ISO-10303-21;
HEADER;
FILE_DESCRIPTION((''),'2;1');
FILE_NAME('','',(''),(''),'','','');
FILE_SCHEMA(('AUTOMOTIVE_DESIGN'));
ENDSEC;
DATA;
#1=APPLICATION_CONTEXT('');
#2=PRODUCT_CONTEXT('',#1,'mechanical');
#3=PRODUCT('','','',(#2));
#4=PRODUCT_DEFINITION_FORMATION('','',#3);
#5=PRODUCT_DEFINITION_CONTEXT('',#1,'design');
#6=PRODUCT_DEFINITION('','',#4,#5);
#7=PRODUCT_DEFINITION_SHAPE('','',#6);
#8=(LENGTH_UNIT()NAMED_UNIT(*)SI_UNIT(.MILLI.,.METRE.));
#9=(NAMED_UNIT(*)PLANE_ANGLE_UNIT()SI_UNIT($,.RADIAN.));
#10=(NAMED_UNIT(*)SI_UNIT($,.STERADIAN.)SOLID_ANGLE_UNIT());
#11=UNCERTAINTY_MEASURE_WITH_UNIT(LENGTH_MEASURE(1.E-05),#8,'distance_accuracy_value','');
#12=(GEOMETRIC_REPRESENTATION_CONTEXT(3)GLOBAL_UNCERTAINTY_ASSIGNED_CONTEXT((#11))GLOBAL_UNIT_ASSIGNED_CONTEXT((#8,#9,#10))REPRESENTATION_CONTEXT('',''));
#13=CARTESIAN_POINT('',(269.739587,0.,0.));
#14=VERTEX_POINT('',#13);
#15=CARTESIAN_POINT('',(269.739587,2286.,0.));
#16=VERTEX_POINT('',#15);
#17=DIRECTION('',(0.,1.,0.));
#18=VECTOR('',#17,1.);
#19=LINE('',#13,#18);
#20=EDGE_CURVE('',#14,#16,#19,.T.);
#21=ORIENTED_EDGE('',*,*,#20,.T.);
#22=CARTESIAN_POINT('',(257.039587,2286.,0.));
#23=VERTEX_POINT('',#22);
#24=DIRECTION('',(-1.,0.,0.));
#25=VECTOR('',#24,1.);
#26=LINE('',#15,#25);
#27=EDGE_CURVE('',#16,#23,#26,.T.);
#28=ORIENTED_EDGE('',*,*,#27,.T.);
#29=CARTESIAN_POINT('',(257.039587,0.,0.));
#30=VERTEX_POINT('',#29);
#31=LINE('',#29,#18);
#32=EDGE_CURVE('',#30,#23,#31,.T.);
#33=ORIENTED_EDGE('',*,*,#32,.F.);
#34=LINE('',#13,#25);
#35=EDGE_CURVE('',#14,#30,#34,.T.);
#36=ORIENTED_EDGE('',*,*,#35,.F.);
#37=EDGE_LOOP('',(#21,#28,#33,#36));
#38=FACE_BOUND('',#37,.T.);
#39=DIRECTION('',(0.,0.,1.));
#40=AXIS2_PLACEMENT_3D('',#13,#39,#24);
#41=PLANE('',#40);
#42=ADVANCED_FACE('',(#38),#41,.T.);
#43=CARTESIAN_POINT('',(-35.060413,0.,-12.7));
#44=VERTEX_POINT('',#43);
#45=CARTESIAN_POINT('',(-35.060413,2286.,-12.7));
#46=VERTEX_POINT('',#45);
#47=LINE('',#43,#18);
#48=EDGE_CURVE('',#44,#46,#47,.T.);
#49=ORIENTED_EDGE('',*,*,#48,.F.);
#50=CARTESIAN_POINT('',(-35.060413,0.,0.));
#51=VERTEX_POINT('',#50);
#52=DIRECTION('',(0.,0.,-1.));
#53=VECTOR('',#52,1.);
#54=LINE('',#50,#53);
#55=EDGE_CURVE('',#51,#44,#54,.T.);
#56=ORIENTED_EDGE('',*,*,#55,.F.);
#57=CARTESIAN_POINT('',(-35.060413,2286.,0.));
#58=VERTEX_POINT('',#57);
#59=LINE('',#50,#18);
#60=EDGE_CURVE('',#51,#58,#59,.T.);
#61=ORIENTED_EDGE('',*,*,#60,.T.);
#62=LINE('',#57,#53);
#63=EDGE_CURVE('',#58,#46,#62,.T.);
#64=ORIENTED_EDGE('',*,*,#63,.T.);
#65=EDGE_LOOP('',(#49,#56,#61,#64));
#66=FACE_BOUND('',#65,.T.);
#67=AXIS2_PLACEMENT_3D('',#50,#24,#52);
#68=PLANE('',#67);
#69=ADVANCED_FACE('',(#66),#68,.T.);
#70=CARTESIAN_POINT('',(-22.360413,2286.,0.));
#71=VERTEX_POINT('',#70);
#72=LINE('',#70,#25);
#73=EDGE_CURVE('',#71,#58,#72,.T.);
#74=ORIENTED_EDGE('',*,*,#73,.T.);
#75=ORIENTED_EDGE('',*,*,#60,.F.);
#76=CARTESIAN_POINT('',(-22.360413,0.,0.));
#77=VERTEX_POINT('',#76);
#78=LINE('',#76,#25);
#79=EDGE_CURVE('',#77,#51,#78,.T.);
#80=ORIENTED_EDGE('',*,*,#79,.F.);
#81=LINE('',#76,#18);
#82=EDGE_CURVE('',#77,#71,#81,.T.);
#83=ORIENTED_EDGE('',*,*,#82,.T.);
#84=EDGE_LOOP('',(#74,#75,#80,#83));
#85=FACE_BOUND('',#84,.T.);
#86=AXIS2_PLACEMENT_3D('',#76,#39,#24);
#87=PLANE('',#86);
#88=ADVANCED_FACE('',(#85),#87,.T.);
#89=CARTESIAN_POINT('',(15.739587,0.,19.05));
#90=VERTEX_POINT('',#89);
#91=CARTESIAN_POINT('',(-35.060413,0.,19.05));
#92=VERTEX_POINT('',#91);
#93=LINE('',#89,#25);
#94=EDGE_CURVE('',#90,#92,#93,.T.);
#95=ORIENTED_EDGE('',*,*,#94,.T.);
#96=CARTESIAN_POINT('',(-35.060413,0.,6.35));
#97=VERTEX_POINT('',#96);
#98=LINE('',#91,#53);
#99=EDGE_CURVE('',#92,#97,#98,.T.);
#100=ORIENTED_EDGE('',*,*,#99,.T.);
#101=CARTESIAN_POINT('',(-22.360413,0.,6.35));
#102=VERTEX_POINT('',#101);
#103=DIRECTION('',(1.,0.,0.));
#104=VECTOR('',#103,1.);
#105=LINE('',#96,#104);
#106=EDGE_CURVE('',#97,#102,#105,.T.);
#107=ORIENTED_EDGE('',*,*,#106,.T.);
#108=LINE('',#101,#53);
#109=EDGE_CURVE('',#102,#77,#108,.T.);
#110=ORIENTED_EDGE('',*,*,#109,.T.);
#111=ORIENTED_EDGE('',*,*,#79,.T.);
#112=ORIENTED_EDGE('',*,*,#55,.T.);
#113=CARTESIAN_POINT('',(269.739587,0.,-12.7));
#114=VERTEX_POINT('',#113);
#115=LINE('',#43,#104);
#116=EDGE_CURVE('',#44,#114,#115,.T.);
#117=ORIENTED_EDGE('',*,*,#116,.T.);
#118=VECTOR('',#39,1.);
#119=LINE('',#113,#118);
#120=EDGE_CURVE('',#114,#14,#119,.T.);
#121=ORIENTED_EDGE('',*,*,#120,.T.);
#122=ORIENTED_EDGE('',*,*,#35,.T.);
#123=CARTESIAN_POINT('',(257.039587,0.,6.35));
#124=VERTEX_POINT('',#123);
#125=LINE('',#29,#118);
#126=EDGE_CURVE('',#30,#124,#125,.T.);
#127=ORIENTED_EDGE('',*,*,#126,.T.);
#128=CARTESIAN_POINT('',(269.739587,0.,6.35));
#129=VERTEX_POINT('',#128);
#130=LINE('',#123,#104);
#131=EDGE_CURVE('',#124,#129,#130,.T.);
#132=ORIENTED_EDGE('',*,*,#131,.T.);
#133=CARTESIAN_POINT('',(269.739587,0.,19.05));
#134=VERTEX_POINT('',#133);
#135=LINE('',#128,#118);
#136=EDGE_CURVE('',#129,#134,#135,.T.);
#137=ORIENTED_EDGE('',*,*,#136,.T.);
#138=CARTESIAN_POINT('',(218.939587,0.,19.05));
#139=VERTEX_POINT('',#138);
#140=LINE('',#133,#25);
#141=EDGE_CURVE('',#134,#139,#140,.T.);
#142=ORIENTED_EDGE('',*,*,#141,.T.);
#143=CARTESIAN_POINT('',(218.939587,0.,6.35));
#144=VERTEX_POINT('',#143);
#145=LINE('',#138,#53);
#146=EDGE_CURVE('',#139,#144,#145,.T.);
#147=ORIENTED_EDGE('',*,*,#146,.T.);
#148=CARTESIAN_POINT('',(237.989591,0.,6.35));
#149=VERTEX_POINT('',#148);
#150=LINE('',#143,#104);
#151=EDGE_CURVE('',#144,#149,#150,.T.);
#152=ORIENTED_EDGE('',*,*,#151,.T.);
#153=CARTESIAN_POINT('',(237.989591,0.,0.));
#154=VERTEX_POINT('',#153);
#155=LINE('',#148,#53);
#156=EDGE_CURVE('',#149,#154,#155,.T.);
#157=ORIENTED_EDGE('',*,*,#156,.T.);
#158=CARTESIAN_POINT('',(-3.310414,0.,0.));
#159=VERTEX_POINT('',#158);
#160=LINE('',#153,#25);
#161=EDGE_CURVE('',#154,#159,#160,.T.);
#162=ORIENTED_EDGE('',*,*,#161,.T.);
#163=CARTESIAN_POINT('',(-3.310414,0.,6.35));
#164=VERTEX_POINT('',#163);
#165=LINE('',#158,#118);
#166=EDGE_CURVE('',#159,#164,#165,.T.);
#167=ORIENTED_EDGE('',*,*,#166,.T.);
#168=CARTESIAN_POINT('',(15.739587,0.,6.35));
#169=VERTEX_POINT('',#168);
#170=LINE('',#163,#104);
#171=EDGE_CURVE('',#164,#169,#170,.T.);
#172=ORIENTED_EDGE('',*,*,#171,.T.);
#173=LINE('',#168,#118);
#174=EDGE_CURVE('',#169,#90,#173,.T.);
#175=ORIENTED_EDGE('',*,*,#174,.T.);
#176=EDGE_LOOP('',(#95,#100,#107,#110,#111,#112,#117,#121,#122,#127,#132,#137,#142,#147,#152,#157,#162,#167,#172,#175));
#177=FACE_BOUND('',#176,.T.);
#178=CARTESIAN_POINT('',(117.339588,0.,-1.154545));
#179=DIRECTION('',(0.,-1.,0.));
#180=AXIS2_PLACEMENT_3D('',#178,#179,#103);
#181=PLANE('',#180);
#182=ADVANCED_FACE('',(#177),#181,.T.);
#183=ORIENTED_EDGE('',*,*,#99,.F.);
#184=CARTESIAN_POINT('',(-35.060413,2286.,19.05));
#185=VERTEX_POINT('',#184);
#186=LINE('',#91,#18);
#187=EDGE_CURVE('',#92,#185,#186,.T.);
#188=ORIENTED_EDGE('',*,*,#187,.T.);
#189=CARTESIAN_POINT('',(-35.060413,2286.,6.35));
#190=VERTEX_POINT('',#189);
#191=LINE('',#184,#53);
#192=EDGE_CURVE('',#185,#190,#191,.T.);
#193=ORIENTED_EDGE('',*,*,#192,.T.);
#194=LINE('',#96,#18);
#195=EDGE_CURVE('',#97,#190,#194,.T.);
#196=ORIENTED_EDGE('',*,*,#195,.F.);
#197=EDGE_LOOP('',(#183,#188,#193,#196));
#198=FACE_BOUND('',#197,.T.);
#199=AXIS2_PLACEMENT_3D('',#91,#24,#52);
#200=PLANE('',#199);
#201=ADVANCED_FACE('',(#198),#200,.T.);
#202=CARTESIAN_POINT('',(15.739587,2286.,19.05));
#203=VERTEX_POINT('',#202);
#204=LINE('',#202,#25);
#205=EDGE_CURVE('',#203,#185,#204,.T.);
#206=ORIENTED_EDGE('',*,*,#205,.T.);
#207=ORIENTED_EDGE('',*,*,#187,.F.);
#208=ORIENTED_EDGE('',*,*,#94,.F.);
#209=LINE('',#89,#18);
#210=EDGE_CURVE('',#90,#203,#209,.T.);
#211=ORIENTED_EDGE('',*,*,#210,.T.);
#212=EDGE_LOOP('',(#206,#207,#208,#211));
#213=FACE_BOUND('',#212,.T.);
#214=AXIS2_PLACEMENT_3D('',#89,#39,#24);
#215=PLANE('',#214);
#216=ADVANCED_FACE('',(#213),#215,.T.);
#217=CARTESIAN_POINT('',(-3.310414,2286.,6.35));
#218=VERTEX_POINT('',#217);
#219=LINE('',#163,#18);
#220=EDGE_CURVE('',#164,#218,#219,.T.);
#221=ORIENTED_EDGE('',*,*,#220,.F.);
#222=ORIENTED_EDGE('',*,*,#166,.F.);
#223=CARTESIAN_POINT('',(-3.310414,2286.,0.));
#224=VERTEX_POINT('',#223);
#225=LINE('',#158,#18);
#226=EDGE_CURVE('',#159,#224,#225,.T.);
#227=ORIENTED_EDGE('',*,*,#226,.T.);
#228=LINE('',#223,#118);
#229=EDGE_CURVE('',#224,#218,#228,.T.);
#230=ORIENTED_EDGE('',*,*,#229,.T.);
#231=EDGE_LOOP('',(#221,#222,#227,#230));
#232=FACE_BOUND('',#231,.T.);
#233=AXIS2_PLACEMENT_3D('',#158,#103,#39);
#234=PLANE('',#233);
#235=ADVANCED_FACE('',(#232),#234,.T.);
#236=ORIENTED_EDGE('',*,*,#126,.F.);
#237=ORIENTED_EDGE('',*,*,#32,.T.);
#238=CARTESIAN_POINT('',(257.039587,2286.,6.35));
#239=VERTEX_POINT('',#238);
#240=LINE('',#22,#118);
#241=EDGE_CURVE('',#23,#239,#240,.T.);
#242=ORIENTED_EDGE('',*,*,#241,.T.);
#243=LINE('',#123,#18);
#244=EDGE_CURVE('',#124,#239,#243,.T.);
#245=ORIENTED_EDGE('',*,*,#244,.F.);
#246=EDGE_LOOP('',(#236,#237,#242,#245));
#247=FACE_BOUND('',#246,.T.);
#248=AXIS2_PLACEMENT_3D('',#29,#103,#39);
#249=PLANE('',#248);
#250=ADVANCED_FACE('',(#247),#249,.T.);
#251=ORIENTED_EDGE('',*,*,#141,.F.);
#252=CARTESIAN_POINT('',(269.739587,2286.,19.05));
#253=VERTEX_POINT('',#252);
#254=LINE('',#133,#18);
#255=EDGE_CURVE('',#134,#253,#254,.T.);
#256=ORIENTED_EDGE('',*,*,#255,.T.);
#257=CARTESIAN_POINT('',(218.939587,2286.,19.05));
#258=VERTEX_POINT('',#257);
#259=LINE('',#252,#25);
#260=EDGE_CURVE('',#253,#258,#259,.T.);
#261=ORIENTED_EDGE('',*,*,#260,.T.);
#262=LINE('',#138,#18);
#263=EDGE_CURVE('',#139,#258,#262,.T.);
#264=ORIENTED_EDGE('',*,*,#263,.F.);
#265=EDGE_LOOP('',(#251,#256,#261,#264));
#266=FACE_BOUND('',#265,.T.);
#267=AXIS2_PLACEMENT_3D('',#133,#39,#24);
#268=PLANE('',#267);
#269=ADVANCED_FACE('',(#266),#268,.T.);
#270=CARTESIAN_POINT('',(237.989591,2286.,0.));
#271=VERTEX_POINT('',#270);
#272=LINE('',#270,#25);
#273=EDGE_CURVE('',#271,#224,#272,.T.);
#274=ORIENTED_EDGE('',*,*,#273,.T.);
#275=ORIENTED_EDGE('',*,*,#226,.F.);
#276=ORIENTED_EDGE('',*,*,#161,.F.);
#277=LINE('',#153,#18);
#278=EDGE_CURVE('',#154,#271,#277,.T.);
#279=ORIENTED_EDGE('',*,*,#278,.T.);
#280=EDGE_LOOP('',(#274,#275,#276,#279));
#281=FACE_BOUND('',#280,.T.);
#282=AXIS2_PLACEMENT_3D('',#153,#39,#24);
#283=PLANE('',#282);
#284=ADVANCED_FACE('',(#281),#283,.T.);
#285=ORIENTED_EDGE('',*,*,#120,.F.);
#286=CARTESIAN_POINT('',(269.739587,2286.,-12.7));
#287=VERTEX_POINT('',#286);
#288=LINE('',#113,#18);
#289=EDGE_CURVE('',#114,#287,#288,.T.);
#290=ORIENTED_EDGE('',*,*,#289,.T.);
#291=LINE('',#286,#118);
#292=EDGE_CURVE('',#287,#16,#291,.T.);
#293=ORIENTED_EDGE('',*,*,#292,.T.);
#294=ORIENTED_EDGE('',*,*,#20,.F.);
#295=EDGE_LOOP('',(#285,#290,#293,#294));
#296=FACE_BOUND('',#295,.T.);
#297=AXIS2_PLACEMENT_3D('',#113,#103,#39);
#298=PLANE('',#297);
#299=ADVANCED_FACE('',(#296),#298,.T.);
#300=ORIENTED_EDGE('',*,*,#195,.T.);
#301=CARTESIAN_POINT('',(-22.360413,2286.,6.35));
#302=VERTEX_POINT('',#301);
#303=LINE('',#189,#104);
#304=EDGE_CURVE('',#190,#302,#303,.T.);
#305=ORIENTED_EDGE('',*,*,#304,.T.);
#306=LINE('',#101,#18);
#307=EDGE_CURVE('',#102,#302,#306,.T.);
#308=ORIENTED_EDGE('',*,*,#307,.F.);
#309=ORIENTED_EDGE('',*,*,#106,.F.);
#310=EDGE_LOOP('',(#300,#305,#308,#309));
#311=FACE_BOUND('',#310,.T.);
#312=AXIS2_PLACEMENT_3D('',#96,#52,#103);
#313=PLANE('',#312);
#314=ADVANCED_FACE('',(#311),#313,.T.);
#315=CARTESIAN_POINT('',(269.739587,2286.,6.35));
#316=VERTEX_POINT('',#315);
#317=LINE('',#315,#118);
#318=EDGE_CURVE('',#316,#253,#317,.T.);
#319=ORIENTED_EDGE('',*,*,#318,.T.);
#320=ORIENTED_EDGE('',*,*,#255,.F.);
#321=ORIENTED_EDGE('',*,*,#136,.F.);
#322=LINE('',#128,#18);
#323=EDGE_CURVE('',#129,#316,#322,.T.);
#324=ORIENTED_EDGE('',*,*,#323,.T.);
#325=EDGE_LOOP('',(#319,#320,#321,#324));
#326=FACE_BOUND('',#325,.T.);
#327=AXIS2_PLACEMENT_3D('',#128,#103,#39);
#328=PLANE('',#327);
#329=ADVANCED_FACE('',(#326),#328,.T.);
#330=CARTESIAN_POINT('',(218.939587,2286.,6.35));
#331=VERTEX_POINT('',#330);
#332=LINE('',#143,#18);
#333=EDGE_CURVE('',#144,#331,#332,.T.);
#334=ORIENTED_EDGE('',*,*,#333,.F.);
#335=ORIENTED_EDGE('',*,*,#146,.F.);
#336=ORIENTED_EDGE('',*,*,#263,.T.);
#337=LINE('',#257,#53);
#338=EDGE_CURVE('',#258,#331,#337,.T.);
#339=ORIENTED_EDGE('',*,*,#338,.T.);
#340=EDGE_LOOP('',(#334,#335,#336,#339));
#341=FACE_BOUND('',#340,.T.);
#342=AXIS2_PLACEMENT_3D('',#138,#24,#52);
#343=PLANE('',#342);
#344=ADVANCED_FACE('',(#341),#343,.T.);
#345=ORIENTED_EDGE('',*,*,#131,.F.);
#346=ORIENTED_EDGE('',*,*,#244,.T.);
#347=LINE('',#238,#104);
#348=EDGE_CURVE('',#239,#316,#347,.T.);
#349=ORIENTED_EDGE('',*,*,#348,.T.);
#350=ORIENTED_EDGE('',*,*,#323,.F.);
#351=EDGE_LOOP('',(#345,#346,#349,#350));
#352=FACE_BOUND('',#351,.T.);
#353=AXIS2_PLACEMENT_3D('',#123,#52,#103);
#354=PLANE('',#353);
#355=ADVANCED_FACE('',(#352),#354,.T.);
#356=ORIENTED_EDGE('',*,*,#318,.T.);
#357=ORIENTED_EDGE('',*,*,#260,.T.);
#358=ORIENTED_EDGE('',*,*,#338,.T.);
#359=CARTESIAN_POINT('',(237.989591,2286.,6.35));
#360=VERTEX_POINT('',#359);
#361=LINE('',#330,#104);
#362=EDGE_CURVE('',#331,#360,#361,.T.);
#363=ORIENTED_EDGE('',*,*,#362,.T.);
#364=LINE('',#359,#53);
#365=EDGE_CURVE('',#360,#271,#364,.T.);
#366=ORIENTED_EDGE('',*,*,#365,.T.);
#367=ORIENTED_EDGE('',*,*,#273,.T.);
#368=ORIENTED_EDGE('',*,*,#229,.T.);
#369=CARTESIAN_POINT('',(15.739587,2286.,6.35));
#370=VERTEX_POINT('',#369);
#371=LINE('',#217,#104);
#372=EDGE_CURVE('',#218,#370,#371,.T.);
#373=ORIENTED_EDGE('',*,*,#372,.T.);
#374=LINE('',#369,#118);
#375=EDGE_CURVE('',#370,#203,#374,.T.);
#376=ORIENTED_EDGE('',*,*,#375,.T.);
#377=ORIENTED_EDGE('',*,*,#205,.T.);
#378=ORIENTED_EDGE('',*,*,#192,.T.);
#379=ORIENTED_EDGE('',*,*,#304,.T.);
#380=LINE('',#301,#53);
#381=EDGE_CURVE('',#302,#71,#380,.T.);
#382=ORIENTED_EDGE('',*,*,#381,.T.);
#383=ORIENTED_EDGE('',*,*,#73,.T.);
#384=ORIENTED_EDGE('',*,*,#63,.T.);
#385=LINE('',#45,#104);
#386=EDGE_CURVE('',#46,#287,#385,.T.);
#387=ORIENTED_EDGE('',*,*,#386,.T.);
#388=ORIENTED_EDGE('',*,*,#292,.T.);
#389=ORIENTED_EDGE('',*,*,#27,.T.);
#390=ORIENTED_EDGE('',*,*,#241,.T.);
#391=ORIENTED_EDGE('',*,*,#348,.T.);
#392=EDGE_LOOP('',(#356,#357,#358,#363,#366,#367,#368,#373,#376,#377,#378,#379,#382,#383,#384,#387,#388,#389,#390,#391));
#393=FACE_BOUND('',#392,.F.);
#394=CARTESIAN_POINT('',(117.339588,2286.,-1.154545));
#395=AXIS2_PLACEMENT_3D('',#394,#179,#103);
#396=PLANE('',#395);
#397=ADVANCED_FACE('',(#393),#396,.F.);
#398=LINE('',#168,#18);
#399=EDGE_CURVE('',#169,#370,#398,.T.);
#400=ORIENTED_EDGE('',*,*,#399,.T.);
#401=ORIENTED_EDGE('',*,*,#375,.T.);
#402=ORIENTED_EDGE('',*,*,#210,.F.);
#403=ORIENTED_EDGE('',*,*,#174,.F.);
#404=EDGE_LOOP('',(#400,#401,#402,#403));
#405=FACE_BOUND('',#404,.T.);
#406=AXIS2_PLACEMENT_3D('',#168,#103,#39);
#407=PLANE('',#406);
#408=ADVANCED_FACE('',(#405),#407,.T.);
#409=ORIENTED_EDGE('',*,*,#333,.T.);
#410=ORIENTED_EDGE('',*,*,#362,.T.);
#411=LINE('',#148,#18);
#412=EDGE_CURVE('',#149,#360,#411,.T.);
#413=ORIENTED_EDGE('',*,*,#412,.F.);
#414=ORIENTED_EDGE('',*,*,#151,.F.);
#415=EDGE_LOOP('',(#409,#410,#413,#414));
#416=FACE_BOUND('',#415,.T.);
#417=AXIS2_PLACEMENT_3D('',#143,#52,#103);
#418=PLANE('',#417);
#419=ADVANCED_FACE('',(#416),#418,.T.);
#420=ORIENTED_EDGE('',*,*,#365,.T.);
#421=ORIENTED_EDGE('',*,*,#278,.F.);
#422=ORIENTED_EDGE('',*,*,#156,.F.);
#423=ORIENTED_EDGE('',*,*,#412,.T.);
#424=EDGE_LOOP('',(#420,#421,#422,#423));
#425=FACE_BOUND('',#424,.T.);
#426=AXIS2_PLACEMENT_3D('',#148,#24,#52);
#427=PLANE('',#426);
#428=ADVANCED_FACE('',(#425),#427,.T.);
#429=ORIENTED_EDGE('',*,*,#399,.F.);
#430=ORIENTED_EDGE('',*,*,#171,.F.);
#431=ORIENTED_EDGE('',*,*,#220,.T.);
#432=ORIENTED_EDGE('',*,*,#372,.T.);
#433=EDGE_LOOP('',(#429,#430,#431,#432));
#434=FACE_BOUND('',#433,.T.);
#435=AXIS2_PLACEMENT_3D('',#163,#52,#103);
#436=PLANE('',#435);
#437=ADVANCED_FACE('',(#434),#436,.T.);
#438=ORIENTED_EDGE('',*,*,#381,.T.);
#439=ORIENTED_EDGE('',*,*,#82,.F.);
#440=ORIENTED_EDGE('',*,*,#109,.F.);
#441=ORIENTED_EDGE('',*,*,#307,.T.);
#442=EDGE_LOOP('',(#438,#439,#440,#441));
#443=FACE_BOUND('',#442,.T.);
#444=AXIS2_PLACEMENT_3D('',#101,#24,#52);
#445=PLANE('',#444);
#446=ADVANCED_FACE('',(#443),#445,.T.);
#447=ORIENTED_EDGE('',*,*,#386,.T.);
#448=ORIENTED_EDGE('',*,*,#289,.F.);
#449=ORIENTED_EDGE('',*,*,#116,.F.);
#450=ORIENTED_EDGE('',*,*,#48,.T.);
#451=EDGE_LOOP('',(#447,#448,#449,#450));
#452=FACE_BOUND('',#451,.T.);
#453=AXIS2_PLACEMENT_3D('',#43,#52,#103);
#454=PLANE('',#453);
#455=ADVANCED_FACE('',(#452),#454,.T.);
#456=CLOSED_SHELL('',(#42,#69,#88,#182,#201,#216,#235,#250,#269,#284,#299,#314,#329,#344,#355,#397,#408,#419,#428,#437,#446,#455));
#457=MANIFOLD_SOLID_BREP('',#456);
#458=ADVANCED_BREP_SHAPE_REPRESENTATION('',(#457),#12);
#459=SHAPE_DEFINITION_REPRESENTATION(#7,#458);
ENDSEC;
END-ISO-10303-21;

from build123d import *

# Parameters (mm, degrees)
F1_DEPTH = 2286


with BuildPart() as f1:
    # F0 (on Front) → F1 (new body)
    with BuildSketch(Plane.XZ):
        Polygon((-35.060413, 0), (-35.060413, -12.7), (269.739587, -12.7), (269.739587, 0), (257.039587, 0), (257.039587, 6.35), (269.739587, 6.35), (269.739587, 19.05), (218.939587, 19.05), (218.939587, 6.35), (237.989591, 6.35), (237.989591, 0), (-3.310414, 0), (-3.310414, 6.35), (15.739587, 6.35), (15.739587, 19.05), (-35.060413, 19.05), (-35.060413, 6.35), (-22.360413, 6.35), (-22.360413, 0), align=None)
    extrude(amount=-F1_DEPTH)


solid = f1.part
